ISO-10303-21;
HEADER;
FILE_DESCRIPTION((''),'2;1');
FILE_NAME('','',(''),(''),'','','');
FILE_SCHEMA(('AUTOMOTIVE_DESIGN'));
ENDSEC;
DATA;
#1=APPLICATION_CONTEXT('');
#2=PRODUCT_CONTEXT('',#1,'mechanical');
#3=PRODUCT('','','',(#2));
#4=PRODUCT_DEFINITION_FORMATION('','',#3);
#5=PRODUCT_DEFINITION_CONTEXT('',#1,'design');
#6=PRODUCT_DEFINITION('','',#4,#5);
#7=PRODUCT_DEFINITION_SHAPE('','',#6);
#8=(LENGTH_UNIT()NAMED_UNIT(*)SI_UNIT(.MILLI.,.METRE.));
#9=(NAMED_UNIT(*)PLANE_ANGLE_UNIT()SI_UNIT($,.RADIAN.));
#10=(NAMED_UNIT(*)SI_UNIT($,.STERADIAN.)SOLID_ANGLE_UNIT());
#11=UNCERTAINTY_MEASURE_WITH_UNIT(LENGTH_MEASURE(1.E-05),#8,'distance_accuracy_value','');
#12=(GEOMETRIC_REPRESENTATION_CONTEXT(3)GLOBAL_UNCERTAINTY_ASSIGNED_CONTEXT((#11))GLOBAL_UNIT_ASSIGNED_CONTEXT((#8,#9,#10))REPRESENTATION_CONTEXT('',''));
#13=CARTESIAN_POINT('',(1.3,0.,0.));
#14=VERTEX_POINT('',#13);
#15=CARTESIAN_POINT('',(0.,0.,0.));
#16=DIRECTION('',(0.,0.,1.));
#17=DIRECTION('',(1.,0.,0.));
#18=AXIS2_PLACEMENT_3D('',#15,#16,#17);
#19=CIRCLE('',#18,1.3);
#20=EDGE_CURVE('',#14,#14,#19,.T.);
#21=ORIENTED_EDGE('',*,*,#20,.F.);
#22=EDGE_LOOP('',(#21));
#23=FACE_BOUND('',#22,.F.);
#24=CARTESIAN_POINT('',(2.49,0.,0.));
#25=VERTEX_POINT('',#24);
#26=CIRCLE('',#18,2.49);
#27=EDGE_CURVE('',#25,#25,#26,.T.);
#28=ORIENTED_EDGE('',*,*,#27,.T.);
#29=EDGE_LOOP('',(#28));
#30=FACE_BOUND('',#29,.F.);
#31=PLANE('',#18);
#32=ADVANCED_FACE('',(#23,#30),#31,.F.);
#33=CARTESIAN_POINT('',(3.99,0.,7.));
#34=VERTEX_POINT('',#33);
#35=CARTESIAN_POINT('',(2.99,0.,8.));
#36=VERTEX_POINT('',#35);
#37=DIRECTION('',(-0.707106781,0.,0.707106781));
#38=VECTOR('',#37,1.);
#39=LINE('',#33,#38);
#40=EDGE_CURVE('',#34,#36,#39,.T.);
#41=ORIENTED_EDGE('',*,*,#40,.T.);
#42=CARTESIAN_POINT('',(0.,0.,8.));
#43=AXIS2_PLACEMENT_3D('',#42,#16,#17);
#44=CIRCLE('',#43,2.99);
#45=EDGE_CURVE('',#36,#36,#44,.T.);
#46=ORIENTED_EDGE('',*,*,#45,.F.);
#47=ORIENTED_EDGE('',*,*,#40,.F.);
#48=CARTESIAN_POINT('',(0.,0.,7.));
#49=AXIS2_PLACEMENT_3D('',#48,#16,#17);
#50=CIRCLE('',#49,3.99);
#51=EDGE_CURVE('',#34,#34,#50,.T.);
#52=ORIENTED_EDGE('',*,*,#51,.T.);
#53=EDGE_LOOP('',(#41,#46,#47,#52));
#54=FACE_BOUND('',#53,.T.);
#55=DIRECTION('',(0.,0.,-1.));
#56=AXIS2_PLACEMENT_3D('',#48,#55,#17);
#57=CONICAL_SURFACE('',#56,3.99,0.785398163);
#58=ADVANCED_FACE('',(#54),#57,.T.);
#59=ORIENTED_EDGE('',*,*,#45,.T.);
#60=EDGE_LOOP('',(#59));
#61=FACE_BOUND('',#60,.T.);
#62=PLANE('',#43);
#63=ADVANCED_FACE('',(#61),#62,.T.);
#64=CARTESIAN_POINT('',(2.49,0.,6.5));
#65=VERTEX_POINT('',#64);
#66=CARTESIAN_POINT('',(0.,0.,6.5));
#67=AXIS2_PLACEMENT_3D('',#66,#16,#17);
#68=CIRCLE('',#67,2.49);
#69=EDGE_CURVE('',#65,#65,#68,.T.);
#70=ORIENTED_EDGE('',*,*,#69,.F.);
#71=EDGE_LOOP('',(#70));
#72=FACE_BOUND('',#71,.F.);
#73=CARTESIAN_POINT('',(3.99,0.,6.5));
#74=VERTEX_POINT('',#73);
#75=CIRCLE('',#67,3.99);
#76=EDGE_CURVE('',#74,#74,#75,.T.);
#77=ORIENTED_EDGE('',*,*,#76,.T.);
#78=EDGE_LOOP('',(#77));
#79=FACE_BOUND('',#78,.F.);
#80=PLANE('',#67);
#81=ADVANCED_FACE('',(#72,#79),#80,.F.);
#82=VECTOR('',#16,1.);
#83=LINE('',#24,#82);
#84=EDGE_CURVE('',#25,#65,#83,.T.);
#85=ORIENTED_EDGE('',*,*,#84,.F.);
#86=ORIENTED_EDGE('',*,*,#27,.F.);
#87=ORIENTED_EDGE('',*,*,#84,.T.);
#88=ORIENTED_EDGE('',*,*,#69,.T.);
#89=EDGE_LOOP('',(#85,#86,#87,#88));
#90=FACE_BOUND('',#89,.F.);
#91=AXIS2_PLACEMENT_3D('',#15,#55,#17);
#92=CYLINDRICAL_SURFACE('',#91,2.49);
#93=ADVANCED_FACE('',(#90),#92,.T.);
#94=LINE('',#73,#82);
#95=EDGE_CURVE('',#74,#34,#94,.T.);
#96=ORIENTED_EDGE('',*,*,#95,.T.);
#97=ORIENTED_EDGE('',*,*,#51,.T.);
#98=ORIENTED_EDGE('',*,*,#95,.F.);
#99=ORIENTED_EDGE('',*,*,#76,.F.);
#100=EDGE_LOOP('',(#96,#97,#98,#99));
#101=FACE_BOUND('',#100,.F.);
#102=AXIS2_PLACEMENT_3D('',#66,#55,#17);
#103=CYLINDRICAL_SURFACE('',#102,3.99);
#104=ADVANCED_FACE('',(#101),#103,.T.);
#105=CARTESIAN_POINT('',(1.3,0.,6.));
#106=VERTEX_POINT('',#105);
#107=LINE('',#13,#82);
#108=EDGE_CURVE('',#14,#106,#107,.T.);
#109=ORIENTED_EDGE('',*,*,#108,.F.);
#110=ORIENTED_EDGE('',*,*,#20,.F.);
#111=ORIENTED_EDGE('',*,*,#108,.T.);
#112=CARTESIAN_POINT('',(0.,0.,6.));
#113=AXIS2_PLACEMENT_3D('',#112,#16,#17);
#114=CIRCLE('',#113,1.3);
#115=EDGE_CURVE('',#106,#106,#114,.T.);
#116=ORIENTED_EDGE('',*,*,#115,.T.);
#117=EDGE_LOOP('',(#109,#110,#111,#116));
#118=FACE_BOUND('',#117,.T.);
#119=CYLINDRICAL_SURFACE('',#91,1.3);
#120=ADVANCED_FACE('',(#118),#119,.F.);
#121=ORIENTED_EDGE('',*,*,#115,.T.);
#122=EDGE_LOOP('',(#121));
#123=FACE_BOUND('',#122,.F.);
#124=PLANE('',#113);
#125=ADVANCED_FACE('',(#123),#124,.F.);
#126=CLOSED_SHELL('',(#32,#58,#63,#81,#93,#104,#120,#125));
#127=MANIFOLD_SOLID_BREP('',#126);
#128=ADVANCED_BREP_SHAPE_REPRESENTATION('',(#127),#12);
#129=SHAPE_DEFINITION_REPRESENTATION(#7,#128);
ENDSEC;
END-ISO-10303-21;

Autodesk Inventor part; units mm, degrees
ref_plane "YZ Plane" through (0, 0, 0) normal (1, 0, 0) x (0, 1, 0)
ref_plane "XZ Plane" through (0, 0, 0) normal (0, 1, 0) x (-1, 0, 0)
ref_plane "XY Plane" through (0, 0, 0) normal (0, 0, 1) x (1, 0, 0)
sketch "Sketch1" plane through (0, 0, 0) normal (0, 0, 1) x (1, 0, 0)
  circle A0 centre (0, 0) radius 1.3
  circle A1 centre (0, 0) radius 2.49
  dimension "d0" = 2.6
  dimension "d1" = 4.98
extrude "Extrusion1" add sketch "Sketch1" along normal blind 6.5 contours A0 | A1
sketch "Sketch2" plane through (0, 0, 6.5) normal (0, 0, 1) x (1, 0, 0)
  circle A0 centre (0, 0) radius 2.49
  circle A1 centre (0, 0) radius 3.99
  circle A2 centre (0, 0) radius 2.49 projected
  dimension "d4" = 1.5
extrude "Extrusion2" add sketch "Sketch2" along normal blind 1.5 contours A0 | A1
extrude "Extrusion3" cut sketch "Sketch1" along normal blind 6 contours A0
chamfer "Chamfer1" distance 1 angle 45 1 edges at (-3.99, 0, 8)
properties part number "steering_bolt"
